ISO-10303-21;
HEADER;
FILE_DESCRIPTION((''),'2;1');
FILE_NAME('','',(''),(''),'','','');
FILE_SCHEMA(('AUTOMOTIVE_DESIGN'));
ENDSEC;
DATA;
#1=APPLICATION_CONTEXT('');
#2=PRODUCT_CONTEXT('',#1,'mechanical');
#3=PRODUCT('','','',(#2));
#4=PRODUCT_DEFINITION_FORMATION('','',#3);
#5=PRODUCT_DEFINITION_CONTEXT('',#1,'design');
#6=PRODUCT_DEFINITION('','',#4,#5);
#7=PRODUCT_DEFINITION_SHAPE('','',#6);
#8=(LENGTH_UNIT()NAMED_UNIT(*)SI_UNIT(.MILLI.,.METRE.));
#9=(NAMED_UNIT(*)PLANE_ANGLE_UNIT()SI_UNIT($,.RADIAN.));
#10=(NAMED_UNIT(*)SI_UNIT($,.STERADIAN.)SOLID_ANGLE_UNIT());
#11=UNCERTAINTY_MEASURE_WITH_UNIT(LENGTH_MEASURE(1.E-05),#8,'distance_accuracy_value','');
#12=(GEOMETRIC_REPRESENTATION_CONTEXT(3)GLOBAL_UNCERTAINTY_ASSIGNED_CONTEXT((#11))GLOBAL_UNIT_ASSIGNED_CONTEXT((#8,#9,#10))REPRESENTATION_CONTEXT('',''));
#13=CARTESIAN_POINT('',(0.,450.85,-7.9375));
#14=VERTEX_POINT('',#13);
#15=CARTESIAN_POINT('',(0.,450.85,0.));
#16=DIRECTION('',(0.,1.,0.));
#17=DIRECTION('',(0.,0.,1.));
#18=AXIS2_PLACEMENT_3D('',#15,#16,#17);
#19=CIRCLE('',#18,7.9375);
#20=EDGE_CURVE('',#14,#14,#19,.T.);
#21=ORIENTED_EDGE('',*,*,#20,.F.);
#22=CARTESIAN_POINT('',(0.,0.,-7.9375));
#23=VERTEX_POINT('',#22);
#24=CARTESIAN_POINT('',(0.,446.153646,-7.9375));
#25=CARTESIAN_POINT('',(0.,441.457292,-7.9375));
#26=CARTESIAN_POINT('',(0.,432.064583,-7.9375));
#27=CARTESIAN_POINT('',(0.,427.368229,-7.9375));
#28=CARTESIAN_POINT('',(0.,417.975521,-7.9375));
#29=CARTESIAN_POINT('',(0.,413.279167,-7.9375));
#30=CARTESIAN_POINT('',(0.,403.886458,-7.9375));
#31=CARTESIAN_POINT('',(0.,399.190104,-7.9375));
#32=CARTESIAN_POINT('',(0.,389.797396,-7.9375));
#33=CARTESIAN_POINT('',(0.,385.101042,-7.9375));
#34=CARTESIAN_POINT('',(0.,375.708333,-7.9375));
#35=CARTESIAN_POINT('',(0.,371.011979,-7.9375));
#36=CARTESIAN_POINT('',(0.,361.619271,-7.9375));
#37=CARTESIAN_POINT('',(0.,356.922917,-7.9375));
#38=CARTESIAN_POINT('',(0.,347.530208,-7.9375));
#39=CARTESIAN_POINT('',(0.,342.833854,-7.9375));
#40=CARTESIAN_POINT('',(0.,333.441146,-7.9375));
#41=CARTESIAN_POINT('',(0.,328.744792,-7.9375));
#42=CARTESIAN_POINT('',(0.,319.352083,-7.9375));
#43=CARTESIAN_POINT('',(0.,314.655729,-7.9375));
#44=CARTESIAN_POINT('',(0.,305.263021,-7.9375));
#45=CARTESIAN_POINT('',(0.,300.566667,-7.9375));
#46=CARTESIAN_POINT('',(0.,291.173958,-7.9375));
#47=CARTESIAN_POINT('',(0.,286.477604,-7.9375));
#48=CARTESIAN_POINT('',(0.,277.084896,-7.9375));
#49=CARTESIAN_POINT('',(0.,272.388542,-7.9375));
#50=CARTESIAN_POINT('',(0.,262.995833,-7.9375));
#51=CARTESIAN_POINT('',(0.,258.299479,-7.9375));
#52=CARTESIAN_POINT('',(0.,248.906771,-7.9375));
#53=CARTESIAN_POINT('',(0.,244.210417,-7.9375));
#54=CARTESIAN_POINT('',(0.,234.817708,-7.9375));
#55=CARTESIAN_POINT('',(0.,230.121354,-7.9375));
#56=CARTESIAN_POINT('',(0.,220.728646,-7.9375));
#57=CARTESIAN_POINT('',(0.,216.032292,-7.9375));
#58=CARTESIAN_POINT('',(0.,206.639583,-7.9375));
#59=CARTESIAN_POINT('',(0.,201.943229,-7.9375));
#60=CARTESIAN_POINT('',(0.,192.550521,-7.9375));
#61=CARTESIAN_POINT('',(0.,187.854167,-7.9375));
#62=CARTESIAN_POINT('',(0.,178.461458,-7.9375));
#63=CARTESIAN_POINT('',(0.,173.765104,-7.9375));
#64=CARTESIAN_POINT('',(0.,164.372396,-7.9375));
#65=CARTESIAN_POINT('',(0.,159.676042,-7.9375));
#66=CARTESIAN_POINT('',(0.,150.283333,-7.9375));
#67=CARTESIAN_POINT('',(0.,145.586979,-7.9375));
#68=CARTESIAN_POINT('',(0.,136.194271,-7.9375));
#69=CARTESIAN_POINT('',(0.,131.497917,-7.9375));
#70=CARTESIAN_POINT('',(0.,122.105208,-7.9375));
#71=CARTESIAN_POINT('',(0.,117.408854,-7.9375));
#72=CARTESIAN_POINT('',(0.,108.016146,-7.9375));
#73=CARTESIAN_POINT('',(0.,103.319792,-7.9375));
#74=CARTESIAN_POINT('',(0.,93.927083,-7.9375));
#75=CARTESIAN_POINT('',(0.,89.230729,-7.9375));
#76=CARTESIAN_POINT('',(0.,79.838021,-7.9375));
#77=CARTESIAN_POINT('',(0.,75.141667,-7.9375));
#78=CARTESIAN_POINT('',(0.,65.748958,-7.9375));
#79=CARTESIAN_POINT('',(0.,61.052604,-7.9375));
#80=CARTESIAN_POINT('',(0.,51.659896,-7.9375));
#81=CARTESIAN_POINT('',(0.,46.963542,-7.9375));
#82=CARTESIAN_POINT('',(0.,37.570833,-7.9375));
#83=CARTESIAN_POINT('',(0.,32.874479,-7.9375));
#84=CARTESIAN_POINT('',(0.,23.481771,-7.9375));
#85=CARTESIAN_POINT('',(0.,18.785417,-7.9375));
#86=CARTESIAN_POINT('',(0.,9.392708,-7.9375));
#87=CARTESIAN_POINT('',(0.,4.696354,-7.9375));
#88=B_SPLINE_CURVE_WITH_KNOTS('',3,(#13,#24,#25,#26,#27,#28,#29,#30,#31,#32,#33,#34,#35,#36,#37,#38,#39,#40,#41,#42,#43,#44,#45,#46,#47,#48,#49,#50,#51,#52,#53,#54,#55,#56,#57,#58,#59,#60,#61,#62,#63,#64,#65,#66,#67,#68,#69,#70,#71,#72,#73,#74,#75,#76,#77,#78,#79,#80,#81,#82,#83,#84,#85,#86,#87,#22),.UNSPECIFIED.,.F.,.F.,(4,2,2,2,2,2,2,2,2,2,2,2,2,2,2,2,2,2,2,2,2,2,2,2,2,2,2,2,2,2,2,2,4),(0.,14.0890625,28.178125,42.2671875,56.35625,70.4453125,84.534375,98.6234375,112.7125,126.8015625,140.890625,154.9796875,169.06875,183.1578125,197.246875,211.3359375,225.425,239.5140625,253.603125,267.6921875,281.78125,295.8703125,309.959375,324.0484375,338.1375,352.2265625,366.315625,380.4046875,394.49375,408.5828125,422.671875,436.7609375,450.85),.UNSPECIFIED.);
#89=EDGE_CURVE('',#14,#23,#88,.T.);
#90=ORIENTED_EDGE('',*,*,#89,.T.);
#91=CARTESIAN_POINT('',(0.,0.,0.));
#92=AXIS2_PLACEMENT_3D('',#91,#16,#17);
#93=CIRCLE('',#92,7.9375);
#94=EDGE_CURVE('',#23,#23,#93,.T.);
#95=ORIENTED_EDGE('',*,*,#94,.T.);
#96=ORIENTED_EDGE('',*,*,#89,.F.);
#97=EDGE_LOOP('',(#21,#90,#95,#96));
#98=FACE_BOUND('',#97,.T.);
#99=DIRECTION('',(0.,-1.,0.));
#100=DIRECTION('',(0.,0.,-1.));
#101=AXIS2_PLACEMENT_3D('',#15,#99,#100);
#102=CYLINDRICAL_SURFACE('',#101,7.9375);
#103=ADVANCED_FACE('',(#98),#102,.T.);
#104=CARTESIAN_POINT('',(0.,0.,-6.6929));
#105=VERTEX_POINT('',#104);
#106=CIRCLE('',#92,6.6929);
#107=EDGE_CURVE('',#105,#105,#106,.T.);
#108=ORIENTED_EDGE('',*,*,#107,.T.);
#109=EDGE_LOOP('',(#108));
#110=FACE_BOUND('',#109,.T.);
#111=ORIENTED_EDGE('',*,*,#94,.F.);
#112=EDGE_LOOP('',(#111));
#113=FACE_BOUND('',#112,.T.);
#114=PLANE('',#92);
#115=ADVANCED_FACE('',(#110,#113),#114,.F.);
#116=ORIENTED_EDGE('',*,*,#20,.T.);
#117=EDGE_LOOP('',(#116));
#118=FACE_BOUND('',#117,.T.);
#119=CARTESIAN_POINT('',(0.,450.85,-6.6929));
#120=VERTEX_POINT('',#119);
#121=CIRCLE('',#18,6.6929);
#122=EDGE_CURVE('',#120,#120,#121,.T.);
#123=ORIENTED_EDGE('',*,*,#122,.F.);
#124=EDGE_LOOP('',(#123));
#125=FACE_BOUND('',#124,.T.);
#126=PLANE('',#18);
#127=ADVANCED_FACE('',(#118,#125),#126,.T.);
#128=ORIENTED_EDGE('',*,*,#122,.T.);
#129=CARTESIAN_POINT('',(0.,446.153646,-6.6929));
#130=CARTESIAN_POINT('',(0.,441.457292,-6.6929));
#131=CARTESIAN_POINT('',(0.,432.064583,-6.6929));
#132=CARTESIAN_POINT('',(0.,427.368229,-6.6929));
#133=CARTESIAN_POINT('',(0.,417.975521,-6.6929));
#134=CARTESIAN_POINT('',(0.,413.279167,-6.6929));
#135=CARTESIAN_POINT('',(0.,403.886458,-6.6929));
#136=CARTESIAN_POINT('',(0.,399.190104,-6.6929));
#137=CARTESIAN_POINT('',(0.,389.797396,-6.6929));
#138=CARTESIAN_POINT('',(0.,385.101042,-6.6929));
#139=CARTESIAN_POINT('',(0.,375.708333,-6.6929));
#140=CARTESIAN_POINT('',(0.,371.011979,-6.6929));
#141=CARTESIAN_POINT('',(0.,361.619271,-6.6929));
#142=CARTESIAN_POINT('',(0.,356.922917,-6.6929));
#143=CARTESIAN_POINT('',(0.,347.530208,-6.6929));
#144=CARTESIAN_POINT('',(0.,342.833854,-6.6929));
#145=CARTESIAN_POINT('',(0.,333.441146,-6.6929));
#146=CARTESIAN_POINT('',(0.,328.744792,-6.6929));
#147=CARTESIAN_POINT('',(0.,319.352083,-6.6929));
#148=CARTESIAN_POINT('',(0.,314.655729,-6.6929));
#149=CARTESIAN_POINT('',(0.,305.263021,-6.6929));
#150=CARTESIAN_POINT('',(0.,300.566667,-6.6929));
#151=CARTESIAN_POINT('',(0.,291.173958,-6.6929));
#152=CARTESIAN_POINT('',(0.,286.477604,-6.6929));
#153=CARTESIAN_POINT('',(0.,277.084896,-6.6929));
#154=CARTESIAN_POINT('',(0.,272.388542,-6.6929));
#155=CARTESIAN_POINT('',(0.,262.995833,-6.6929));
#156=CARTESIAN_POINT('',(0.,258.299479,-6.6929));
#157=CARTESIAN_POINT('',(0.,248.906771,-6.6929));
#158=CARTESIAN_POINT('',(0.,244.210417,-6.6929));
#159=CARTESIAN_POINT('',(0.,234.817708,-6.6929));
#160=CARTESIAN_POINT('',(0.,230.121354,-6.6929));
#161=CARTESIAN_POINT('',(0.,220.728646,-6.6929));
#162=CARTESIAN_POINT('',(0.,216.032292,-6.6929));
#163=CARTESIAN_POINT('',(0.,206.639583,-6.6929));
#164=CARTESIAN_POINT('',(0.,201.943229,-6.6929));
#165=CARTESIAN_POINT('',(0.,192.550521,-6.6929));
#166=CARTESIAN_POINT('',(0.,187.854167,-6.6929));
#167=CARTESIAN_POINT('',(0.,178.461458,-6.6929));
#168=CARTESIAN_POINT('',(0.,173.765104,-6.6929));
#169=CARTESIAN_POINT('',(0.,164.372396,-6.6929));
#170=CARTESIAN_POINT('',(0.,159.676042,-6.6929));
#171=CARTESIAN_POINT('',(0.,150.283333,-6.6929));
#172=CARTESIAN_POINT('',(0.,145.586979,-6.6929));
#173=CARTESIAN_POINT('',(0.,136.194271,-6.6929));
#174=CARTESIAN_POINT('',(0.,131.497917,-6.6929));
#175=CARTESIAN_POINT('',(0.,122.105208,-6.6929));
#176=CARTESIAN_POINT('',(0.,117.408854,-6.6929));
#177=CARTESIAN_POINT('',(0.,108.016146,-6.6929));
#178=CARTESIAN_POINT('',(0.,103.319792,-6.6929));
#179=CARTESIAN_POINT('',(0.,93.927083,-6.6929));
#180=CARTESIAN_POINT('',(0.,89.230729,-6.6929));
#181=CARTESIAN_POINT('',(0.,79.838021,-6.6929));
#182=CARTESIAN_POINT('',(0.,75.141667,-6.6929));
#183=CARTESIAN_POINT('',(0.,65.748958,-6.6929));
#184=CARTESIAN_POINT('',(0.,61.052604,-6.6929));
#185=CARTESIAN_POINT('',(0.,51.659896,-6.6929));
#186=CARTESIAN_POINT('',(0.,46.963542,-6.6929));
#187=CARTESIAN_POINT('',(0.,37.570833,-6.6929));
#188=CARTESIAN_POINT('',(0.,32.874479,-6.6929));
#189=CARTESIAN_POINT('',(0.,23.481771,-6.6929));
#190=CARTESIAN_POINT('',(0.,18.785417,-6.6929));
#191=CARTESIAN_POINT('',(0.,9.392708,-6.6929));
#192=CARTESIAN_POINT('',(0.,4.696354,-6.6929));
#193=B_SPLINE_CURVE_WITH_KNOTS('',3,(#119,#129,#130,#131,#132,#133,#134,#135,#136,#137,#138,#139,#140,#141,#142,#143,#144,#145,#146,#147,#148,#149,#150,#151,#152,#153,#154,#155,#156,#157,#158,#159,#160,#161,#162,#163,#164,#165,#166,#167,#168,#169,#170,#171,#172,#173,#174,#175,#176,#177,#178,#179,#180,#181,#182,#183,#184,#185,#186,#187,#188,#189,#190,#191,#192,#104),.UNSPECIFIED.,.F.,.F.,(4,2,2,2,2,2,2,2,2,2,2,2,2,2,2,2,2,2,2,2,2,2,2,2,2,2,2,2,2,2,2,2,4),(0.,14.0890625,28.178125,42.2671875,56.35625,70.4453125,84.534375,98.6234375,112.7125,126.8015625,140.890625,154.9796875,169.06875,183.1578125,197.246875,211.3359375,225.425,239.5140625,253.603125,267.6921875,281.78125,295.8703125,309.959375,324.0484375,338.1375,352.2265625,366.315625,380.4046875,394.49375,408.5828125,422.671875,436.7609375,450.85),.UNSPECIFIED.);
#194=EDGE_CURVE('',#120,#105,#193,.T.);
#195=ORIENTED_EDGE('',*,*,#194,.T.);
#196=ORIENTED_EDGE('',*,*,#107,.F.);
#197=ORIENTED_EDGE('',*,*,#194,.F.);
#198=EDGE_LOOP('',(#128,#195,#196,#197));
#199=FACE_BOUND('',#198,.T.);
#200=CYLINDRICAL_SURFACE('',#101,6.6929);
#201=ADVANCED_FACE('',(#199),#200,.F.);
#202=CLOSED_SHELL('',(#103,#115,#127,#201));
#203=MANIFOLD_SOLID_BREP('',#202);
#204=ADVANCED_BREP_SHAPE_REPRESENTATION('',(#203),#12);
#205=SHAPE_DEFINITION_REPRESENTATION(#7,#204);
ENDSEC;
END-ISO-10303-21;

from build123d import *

# Parameters (mm, degrees)
SKETCH1_R           = 7.9375
SKETCH1_R_2         = 6.6929
BOSS_EXTRUDE1_DEPTH = 450.85


with BuildPart() as part:
    # Sketch1 → Boss-Extrude1 (new body)
    with BuildSketch(Plane(origin=(0, 0, 0), x_dir=(1, 0, 0), z_dir=(0, 1, 0))):
        Circle(SKETCH1_R)
        Circle(SKETCH1_R_2, mode=Mode.SUBTRACT)
    extrude(amount=BOSS_EXTRUDE1_DEPTH)


solid = part.part
